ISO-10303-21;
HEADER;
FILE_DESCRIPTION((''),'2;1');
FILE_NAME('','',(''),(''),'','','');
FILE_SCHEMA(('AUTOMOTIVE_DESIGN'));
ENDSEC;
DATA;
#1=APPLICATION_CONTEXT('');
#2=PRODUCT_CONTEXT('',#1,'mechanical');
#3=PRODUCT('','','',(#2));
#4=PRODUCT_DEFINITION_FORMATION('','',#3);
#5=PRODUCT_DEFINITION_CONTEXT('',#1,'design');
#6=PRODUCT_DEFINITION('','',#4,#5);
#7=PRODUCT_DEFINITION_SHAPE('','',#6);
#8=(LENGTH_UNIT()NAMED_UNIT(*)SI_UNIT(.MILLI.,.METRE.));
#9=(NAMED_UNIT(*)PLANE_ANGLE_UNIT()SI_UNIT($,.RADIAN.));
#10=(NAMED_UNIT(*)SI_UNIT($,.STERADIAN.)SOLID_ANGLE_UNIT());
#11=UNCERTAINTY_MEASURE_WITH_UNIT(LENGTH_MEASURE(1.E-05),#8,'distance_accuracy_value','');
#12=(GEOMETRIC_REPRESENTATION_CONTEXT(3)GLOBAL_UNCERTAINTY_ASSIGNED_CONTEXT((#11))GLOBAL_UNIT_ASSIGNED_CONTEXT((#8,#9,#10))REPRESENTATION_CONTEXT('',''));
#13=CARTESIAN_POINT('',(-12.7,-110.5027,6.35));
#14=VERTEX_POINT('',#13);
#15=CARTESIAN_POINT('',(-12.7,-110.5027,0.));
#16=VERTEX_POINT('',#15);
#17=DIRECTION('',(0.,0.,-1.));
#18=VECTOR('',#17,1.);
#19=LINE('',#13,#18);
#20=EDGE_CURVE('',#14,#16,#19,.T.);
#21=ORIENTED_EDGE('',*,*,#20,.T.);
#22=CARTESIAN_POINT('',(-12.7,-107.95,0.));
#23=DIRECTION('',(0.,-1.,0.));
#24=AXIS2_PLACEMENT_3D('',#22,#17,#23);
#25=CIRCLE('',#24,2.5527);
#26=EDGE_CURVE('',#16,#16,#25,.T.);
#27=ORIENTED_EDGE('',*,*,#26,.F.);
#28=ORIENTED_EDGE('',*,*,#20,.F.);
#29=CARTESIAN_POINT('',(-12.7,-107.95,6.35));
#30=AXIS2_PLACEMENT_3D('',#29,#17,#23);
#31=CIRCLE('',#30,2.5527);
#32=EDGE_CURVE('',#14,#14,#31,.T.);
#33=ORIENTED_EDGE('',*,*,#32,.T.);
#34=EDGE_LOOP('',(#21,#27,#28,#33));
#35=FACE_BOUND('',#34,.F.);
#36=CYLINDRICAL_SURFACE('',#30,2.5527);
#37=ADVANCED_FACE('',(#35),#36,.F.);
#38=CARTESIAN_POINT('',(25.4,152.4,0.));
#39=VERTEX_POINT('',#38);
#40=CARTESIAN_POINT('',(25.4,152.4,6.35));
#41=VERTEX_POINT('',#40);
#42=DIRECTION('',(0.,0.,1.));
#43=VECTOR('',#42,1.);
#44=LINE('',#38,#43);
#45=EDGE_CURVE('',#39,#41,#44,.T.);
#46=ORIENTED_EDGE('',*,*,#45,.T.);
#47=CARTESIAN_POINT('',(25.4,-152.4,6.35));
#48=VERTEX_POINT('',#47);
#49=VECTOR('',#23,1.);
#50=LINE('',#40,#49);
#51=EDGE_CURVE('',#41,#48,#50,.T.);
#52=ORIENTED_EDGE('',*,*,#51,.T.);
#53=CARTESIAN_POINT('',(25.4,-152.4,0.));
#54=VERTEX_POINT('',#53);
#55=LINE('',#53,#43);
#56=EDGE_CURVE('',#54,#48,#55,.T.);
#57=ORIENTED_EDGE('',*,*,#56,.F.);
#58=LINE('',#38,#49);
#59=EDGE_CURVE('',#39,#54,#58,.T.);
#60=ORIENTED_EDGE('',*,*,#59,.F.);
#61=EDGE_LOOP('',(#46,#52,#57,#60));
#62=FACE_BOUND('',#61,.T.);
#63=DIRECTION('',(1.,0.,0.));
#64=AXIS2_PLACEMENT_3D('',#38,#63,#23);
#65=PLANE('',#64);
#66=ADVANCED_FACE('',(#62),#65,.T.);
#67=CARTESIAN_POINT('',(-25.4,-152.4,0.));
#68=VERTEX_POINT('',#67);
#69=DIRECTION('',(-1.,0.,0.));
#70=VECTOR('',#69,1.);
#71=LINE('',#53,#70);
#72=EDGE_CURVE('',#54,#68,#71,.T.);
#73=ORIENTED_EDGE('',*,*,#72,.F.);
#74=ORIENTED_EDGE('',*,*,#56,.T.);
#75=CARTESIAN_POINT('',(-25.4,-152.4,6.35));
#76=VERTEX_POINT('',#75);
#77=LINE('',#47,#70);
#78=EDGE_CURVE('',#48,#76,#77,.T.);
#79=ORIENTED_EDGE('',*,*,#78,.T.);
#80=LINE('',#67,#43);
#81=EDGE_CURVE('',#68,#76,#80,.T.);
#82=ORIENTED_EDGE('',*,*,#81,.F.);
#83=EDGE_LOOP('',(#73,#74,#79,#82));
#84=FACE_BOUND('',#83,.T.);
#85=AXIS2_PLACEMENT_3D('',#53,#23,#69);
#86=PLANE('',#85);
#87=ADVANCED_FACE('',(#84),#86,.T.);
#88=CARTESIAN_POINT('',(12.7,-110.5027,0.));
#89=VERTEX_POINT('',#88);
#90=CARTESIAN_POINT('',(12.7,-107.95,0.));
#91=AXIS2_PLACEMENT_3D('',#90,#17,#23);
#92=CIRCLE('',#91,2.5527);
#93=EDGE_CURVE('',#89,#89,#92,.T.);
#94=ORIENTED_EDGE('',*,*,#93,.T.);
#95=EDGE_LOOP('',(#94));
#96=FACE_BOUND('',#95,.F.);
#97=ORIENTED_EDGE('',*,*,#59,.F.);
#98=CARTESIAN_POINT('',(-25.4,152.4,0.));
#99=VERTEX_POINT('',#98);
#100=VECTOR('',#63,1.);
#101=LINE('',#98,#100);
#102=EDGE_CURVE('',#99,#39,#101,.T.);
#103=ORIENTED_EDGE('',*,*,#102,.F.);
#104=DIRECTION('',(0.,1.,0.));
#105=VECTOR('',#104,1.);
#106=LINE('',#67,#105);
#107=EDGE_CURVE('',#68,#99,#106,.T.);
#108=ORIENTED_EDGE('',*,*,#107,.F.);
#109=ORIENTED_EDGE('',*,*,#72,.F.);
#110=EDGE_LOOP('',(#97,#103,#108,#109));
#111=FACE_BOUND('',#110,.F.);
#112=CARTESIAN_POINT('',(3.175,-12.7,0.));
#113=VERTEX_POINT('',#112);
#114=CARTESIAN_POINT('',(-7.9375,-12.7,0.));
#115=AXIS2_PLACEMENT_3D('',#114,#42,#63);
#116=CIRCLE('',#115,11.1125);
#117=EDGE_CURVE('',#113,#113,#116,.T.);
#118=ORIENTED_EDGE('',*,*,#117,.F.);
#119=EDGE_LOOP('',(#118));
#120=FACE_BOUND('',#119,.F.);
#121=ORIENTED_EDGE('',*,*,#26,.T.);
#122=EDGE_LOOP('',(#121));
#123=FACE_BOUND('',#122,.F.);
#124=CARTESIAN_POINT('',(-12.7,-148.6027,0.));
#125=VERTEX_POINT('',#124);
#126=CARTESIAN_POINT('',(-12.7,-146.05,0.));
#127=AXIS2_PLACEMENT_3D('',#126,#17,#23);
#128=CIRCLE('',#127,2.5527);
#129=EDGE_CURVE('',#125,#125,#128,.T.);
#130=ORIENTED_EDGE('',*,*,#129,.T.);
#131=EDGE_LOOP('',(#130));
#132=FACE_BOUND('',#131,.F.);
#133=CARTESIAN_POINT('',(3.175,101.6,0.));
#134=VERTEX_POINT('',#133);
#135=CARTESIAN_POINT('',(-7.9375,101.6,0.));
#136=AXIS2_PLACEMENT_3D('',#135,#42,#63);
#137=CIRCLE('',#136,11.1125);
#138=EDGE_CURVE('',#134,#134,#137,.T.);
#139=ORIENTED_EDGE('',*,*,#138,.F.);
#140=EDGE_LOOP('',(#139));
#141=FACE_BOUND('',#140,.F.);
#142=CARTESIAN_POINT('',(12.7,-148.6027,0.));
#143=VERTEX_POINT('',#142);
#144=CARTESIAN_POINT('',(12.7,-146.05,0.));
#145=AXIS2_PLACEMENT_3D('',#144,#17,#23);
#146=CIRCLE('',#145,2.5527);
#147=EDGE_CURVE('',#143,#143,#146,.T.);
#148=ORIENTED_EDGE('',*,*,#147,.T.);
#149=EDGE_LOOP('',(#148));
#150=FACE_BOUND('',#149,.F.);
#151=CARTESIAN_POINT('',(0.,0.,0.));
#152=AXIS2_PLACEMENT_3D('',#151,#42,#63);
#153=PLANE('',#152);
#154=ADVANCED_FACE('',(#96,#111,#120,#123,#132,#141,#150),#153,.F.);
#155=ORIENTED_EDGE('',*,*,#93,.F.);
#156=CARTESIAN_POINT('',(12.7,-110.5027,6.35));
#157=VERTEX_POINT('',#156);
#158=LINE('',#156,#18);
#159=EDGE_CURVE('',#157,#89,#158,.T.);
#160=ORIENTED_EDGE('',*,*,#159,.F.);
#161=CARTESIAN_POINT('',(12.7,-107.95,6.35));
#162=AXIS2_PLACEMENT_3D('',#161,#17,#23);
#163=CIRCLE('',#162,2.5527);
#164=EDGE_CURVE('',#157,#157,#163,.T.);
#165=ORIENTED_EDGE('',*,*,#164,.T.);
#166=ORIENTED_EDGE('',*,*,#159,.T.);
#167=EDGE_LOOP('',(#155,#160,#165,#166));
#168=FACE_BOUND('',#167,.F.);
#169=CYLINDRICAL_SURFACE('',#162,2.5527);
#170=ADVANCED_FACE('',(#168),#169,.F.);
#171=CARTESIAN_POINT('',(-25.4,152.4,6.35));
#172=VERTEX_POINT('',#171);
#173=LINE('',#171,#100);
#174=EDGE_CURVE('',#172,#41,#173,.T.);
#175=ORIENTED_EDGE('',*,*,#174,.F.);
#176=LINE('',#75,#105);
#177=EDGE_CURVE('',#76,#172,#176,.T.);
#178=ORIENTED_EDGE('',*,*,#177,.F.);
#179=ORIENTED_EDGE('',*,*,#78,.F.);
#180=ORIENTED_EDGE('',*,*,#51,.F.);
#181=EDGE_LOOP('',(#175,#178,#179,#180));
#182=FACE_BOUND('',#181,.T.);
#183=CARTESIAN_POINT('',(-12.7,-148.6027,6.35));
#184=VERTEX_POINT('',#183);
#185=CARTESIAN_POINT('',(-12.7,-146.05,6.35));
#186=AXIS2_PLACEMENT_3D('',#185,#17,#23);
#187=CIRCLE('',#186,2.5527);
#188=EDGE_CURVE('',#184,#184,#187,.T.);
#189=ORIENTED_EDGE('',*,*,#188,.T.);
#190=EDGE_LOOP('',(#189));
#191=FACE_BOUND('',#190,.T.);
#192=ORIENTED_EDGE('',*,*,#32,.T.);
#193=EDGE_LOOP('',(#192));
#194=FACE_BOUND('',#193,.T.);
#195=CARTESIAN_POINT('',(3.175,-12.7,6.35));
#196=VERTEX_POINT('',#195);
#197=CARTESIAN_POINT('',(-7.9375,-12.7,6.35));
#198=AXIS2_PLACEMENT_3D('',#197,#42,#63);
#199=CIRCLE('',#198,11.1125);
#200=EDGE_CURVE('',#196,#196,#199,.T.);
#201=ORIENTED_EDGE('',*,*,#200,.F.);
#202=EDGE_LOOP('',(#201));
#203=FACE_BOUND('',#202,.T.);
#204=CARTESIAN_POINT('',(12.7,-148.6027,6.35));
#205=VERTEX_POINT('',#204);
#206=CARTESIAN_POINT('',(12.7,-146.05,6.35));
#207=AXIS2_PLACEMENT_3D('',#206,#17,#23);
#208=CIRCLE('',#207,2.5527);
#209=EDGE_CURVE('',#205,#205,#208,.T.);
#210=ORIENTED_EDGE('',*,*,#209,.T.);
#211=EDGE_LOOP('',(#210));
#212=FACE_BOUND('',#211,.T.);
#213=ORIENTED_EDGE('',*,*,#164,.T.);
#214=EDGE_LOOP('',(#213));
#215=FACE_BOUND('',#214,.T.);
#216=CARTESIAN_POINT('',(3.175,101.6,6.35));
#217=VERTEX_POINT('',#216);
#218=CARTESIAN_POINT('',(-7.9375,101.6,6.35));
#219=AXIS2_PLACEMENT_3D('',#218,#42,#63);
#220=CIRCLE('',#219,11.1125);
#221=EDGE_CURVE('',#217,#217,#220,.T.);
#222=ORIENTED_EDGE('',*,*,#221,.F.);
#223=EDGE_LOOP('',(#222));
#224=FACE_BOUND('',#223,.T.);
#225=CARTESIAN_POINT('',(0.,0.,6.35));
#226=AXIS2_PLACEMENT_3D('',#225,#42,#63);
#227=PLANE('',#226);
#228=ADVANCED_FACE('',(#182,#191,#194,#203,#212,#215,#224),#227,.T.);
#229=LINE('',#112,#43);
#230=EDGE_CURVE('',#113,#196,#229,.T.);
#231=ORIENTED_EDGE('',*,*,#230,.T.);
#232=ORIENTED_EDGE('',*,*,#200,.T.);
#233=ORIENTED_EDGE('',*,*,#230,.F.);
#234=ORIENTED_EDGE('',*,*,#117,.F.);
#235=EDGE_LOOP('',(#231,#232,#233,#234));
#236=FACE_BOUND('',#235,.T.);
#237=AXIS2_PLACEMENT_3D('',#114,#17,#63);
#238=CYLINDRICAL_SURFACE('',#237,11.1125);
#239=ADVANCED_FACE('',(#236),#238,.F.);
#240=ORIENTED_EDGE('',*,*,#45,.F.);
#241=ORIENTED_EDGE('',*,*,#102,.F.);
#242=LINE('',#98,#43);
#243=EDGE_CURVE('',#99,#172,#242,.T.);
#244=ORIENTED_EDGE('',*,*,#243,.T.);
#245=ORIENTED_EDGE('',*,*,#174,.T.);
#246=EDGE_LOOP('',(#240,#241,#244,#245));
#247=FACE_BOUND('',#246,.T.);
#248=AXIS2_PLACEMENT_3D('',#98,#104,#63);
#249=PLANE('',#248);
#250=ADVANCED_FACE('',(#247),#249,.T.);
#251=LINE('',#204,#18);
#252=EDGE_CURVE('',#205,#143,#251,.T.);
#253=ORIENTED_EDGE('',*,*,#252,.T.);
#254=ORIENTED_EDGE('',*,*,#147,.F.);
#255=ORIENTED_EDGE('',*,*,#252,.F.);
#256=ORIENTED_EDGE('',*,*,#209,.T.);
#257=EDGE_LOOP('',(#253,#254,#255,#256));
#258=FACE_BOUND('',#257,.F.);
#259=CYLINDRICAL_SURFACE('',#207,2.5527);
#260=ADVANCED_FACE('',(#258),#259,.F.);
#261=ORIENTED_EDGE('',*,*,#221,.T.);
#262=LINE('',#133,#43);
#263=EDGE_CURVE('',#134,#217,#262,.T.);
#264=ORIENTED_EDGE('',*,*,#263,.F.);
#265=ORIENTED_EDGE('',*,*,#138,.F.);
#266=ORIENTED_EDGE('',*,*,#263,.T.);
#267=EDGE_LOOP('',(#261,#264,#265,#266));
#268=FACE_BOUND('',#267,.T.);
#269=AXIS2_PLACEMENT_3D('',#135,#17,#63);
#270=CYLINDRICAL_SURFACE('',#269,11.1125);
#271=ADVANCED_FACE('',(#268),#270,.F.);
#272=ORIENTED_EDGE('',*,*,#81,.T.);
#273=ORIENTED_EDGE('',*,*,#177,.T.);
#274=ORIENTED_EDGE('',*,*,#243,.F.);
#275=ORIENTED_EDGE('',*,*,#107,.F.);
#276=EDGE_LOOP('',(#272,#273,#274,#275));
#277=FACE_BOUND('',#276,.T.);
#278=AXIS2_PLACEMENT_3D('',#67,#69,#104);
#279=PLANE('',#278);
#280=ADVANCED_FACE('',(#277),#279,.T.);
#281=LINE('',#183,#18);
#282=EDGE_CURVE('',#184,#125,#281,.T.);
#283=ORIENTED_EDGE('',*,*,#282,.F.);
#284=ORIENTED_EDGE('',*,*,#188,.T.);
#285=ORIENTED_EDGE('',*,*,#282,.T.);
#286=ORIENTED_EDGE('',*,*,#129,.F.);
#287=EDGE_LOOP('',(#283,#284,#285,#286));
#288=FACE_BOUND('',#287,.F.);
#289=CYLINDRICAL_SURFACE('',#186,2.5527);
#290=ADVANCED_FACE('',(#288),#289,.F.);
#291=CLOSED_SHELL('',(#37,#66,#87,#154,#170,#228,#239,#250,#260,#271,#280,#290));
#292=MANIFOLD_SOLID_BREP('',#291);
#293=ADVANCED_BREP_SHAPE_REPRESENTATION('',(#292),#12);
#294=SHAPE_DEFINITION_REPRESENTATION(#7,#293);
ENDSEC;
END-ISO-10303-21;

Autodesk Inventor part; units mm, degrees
ref_plane "YZ Plane" through (0, 0, 0) normal (1, 0, 0) x (0, 1, 0)
ref_plane "XZ Plane" through (0, 0, 0) normal (0, 1, 0) x (-1, 0, 0)
ref_plane "XY Plane" through (0, 0, 0) normal (0, 0, 1) x (1, 0, 0)
sketch "Sketch1" plane through (0, 0, 0) normal (0, 0, 1) x (1, 0, 0)
  line L0 (-25.4, 152.4) -> (25.4, 152.4)
  line L1 (25.4, 152.4) -> (25.4, -152.4)
  line L2 (25.4, -152.4) -> (-25.4, -152.4)
  line L3 (-25.4, -152.4) -> (-25.4, 152.4)
  line L4 (-25.4, 152.4) -> (25.4, -152.4) construction
  line L5 (25.4, 152.4) -> (-25.4, -152.4) construction
  circle A0 centre (-7.9375, -12.7) radius 25.4 construction
  circle A1 centre (-7.9375, -12.7) radius 11.1125
  circle A2 centre (-7.9375, -12.7) radius 38.1 construction
  circle A3 centre (-7.9375, -12.7) radius 50.8 construction
  circle A4 centre (-7.9375, 101.6) radius 25.4 construction
  circle A5 centre (-7.9375, 101.6) radius 11.1125
  circle A6 centre (-7.9375, 101.6) radius 38.1 construction
  circle A7 centre (-7.9375, 101.6) radius 50.8 construction
  point P0 (0, 0)
  dimension "d0" = 50.8
  dimension "d1" = 304.8
  dimension "d3" = 50.8
  dimension "d4" = 22.225
  dimension "d7" = 17.4625
  dimension "d8" = 76.2
  dimension "d9" = 101.6
  dimension "d10" = 50.8
  dimension "d11" = 22.225
  dimension "d12" = 76.2
  dimension "d13" = 101.6
  dimension "d14" = 114.3
  dimension "d15" = 139.7
extrude "Extrusion1" add sketch "Sketch1" along normal blind 6.35
sketch "Sketch2" plane through (0, 0, 6.35) normal (0, 0, 1) x (1, 0, 0)
  line L0 (-25.4, 152.4) -> (-25.4, -152.4) construction
  line L1 (-12.7, -107.95) -> (12.7, -107.95) construction
  line L2 (-25.4, -152.4) -> (25.4, -152.4) construction
  point P0 (0, 0)
  point P1 (-12.7, -146.05)
  point P2 (12.7, -146.05)
  point P3 (0, -107.95)
  dimension "d19" = 25.4
  dimension "d21" = 38.1
  dimension "d22" = 6.35
hole "Hole1" at (-12.7, -107.95, 6.35) at (12.7, -107.95, 6.35) at (-12.7, -146.05, 6.35) at (12.7, -146.05, 6.35) direction (0, 0, -1) diameter 5.1054 end through all clearance for "Flat Head Machine Screw (82)" size "#10" standard "Ansi Unified Screw Threads"
properties part number "GP1-002" material "Aluminum 6061"
